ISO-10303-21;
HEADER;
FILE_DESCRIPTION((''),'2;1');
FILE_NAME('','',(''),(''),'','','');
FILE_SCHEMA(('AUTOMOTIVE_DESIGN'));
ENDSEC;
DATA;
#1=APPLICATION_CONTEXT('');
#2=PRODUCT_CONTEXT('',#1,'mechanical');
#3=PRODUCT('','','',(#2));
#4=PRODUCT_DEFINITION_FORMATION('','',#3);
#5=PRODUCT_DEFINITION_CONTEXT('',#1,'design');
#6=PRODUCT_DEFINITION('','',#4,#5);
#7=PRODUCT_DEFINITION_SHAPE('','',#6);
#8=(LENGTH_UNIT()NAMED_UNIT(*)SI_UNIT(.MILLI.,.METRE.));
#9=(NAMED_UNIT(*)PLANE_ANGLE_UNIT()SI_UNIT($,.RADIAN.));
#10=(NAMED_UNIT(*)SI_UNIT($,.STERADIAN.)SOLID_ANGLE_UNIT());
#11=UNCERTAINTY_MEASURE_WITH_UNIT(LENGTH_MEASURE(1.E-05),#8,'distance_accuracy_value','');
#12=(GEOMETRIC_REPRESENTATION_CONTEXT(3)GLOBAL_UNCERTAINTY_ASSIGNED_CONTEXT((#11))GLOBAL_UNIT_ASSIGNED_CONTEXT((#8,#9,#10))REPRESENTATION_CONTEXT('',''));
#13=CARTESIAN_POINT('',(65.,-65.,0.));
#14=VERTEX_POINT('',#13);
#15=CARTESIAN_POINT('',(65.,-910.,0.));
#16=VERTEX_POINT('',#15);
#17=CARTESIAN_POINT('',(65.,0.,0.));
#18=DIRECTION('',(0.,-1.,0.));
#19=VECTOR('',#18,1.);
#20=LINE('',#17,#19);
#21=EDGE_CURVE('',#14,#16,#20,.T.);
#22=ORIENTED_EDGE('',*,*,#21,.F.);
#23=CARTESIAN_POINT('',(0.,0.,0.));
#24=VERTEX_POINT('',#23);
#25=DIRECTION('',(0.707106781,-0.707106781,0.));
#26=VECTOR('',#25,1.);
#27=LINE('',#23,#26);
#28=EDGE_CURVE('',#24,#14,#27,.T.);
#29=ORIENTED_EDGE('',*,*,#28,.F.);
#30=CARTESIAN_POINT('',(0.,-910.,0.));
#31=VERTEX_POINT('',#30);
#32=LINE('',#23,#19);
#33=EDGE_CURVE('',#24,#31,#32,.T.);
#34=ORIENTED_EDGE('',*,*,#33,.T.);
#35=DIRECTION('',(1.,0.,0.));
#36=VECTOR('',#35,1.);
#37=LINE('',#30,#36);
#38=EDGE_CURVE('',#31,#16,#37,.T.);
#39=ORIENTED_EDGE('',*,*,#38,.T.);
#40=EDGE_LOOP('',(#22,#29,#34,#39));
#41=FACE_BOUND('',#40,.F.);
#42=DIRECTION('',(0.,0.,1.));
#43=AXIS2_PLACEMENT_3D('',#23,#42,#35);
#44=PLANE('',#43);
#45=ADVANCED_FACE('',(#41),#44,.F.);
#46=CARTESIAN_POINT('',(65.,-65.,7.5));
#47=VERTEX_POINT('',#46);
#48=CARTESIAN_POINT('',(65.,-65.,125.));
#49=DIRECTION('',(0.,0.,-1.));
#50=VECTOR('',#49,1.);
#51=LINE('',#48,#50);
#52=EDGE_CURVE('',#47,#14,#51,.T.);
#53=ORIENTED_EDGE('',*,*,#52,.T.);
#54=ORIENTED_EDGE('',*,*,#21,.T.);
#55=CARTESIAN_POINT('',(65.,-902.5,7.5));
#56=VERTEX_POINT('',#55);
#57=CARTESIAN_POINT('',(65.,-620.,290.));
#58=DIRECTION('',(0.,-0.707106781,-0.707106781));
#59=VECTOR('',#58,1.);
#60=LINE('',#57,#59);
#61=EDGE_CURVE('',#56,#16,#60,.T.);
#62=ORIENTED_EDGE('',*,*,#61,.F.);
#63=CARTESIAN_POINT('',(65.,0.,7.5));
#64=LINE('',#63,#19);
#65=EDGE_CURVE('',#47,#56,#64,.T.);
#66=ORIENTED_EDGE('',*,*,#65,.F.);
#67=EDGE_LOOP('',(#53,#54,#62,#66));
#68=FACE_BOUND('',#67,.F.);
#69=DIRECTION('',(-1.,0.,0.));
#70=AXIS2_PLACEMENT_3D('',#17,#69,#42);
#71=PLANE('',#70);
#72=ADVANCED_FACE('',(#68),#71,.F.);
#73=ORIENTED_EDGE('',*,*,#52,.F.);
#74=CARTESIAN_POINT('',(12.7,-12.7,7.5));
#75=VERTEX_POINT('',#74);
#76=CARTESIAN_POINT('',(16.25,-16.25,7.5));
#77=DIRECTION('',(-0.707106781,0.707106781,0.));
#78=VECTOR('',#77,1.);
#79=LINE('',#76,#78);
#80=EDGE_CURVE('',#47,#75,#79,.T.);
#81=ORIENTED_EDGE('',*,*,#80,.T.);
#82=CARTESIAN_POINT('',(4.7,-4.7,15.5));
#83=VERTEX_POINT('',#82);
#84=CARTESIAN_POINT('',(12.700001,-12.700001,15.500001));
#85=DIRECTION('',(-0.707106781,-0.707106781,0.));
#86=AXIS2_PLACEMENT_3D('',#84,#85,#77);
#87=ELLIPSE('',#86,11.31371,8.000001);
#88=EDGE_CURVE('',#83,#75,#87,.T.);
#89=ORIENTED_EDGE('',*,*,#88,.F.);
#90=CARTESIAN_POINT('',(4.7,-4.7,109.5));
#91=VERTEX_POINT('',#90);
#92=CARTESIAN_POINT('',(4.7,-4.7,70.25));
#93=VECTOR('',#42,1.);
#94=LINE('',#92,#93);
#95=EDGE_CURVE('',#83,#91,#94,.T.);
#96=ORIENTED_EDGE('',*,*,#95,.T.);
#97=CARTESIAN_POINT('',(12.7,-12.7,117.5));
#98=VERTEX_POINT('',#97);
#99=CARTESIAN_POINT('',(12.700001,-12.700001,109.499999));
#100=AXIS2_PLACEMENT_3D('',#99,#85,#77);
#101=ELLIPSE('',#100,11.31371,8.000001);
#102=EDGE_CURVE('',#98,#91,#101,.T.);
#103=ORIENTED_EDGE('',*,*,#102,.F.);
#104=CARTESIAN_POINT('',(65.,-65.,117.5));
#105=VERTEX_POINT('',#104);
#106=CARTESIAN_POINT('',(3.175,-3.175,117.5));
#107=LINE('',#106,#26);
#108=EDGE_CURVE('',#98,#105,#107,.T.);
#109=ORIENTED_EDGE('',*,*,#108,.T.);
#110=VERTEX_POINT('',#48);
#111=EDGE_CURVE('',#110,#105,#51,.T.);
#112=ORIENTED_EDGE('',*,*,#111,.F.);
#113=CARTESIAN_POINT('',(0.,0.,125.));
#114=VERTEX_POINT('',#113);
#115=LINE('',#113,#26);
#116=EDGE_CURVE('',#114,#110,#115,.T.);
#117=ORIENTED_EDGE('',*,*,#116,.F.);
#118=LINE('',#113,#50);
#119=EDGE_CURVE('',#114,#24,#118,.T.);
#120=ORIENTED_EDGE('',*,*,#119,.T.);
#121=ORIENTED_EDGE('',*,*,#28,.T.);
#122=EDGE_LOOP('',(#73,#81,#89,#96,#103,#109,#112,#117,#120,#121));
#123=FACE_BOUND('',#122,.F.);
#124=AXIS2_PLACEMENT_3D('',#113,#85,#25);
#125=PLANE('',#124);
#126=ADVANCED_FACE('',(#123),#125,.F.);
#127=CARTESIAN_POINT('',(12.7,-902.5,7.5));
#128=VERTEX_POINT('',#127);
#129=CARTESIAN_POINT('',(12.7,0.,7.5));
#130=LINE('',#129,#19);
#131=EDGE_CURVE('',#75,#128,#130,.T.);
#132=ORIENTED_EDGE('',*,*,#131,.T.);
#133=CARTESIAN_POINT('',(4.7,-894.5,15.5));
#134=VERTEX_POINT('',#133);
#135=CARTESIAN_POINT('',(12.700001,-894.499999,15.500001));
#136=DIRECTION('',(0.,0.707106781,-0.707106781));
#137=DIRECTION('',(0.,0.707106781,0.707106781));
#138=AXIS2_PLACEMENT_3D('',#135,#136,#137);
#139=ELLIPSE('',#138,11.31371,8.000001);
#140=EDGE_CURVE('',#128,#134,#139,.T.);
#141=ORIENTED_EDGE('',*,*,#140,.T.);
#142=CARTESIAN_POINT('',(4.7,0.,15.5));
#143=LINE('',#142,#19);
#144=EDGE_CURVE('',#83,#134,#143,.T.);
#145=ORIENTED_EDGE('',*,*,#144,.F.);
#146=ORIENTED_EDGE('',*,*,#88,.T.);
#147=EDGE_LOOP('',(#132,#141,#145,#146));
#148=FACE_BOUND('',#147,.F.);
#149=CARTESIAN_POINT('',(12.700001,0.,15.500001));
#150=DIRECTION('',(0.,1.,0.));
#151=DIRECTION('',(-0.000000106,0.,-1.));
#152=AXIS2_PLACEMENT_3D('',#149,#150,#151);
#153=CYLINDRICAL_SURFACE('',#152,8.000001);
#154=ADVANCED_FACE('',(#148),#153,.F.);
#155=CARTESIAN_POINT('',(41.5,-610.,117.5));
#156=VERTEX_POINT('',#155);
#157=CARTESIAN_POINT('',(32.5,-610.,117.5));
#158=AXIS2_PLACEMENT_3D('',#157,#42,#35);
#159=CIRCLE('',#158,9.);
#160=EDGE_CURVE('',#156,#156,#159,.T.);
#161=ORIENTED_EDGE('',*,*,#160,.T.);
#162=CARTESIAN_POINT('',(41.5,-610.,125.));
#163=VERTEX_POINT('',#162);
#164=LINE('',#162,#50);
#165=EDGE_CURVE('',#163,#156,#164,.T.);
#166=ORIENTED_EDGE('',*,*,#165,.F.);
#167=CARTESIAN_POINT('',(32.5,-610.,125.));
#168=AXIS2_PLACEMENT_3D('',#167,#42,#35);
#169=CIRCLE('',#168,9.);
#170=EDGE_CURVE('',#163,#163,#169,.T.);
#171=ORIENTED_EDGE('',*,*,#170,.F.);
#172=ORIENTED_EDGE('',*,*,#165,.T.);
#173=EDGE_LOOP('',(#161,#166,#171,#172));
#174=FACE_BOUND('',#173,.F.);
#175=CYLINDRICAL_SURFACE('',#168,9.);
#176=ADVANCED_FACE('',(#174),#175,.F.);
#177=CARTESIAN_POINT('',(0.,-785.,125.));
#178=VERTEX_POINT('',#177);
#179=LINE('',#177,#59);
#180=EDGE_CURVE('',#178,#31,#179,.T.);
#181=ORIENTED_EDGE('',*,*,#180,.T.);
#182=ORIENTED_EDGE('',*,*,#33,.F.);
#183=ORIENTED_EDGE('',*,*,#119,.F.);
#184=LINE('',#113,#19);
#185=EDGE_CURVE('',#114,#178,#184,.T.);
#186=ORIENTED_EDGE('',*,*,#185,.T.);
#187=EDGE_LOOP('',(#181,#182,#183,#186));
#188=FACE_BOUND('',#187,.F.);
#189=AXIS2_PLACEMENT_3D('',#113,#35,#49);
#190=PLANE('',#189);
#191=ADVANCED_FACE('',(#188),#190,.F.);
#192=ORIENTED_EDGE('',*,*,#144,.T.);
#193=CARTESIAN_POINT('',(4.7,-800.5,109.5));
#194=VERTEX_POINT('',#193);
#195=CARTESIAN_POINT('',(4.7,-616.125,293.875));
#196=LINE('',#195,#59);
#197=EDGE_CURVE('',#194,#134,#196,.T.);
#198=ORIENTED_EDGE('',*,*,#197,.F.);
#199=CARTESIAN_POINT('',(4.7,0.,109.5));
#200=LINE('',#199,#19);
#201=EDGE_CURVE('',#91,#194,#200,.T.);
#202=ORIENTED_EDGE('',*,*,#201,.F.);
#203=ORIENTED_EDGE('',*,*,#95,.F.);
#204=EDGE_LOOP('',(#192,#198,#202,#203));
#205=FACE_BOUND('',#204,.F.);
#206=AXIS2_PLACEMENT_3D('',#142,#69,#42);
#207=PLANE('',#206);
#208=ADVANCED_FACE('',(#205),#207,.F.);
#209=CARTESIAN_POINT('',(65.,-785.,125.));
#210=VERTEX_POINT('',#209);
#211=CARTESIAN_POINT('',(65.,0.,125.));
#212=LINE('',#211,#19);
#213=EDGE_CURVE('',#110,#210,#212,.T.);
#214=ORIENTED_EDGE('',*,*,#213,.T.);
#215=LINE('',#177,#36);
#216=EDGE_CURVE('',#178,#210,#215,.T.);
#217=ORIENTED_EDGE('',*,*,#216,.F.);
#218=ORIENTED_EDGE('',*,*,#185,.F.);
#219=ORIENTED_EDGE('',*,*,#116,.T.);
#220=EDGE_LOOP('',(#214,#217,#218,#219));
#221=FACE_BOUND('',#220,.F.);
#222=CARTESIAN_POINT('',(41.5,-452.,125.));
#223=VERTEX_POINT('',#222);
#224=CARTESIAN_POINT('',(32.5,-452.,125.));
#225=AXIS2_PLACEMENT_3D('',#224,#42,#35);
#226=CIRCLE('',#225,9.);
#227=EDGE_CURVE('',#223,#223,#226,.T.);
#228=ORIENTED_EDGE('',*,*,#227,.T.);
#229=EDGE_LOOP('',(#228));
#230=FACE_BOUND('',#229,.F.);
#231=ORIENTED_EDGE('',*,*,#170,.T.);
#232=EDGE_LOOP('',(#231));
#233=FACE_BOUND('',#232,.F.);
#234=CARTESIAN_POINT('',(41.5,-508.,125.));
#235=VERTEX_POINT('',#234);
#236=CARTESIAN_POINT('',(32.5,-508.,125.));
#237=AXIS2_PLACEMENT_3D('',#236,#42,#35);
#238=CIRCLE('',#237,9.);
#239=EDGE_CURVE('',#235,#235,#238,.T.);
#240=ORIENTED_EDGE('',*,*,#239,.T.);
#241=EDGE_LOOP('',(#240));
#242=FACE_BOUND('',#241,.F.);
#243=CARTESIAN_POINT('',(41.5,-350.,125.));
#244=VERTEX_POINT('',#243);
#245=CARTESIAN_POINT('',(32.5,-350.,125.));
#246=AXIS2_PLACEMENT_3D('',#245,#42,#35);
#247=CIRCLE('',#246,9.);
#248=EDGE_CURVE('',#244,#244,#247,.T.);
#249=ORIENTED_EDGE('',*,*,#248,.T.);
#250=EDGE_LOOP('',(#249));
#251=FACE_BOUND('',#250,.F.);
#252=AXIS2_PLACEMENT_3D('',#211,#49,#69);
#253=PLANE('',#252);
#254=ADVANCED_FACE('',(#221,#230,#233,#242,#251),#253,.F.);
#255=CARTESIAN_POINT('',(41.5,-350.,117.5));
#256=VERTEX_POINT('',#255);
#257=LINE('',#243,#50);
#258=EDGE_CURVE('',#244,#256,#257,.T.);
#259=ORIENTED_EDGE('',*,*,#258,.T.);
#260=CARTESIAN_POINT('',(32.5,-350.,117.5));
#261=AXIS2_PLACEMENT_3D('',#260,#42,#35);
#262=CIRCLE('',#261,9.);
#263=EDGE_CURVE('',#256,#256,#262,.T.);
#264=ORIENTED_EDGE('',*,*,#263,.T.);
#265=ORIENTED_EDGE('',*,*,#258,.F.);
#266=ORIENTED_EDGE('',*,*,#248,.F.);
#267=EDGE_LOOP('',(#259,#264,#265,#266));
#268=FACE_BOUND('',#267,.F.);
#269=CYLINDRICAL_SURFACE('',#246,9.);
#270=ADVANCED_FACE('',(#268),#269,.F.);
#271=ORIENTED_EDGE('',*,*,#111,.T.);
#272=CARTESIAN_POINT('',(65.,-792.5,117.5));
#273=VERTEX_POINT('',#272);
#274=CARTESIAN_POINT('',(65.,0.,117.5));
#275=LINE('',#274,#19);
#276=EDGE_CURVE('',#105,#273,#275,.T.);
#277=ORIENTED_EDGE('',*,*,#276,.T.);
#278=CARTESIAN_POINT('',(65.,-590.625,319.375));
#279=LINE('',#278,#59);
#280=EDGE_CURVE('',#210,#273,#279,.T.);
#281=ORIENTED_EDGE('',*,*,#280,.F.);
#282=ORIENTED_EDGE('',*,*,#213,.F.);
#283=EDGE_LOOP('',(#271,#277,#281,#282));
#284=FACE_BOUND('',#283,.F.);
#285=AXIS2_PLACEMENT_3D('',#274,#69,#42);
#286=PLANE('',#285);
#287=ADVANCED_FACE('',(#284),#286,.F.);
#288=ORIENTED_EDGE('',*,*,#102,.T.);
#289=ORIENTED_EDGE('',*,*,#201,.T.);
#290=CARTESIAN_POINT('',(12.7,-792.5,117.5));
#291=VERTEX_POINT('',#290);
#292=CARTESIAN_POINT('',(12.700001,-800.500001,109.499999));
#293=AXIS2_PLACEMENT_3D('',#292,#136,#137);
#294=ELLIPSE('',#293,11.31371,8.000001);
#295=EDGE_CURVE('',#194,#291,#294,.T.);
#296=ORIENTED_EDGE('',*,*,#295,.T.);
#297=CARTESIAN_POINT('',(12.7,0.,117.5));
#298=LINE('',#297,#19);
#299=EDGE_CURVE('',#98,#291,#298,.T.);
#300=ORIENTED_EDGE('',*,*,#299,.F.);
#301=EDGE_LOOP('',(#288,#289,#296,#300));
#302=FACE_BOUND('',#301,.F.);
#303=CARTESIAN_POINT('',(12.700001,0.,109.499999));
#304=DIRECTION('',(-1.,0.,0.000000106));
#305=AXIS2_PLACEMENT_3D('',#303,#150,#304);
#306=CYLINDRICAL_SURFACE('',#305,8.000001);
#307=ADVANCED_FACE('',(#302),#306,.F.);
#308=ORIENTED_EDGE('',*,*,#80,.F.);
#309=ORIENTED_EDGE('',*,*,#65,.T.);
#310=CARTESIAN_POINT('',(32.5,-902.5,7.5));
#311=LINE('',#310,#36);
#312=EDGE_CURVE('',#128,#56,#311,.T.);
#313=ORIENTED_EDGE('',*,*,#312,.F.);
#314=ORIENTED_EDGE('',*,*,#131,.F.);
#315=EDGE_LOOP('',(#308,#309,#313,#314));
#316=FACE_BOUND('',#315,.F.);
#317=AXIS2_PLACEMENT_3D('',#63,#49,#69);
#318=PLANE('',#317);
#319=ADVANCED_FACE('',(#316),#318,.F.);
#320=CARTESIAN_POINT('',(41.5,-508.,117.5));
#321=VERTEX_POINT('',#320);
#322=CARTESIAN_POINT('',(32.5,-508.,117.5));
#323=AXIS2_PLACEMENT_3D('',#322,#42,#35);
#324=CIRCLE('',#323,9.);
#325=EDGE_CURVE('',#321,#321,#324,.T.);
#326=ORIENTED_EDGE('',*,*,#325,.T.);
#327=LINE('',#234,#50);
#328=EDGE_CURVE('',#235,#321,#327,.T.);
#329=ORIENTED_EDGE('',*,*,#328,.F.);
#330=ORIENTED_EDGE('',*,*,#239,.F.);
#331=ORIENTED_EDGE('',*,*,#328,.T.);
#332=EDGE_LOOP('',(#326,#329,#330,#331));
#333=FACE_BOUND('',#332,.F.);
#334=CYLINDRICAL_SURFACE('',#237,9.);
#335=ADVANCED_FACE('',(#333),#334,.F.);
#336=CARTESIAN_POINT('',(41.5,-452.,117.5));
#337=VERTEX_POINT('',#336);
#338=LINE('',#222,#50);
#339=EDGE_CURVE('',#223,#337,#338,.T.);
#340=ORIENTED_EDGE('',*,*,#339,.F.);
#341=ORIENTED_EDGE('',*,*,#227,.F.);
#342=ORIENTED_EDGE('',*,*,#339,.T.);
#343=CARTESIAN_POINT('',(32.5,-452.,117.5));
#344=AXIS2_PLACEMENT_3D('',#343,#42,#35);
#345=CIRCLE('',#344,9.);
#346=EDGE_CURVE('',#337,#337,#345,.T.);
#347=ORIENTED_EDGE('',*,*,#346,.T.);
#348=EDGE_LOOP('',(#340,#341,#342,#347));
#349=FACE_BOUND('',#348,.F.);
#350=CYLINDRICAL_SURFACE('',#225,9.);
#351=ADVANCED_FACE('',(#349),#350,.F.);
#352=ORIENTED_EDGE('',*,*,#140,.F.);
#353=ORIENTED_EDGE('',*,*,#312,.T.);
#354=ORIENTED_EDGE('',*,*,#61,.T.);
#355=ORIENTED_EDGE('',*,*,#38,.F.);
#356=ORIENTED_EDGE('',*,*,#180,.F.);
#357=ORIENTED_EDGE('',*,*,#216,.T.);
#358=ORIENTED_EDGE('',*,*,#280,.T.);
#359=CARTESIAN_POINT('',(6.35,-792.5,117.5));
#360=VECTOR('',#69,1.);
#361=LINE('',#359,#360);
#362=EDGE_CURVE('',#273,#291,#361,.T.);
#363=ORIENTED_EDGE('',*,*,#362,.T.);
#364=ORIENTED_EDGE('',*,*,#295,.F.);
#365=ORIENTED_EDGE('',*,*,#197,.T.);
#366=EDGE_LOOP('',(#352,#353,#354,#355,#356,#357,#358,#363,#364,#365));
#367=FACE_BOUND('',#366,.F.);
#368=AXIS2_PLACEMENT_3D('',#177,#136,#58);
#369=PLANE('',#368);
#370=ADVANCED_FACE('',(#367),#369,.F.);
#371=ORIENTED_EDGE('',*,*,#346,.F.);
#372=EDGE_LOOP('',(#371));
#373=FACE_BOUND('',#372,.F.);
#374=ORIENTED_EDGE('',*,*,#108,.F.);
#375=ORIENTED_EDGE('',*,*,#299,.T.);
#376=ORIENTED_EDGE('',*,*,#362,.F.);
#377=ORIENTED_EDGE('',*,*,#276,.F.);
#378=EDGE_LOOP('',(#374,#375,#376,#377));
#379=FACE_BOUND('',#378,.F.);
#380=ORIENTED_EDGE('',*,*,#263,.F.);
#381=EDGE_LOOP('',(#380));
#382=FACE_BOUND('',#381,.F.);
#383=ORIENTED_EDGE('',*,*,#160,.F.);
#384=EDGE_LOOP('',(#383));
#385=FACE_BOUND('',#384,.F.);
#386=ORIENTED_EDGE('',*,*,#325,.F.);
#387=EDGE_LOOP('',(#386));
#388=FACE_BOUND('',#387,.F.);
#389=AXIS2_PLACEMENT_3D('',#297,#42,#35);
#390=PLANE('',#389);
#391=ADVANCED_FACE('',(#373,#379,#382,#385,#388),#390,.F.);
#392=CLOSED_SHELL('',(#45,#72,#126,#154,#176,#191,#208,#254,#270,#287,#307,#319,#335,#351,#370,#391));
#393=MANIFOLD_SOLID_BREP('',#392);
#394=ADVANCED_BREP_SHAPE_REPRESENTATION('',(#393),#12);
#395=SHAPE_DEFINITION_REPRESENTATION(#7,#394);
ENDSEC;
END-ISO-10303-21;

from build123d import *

# Parameters (mm, degrees)
F1_DEPTH = 910
F3_DEPTH = 125.001
F5_DEPTH = 65.001
F6_R     = 9
F7_DEPTH = 7.5
F8_R     = 9
F9_DEPTH = 7.5


with BuildPart() as f1:
    # F0 (on Front) → F1 (new body)
    with BuildSketch(Plane.XZ):
        with BuildLine():
            Line((0, 125), (0, 0))
            Line((0, 0), (65, 0))
            Line((65, 0), (65, 7.5))
            Line((65, 7.5), (12.7, 7.5))
            ThreePointArc((12.7, 7.5), (7.043146, 9.843146), (4.7, 15.5))
            Line((4.7, 15.5), (4.7, 109.5))
            ThreePointArc((4.7, 109.5), (7.043146, 115.156854), (12.7, 117.5))
            Line((12.7, 117.5), (65, 117.5))
            Line((65, 117.5), (65, 125))
            Line((65, 125), (0, 125))
        make_face()
    extrude(amount=F1_DEPTH)

    # F2 (on face) → F3 (cut, through all)
    with BuildSketch(Plane.XY.offset(125)):
        Polygon((65, -65), (65, 0), (0, 0), align=None)
    extrude(amount=-F3_DEPTH, mode=Mode.SUBTRACT)

    # F4 (on face) → F5 (cut, through all)
    with BuildSketch(Plane(origin=(0, 0, 0), x_dir=(0, -1, 0), z_dir=(-1, 0, 0))):
        Polygon((910, 0), (910, 125), (785, 125), align=None)
    extrude(amount=-F5_DEPTH, mode=Mode.SUBTRACT)

    # F6 (on face) → F7 (cut, through all)
    with BuildSketch(Plane.XY.offset(125)):
        with Locations((32.5, -350)):
            Circle(F6_R)
        with Locations((32.5, -452)):
            Circle(F6_R)
    extrude(amount=-F7_DEPTH, mode=Mode.SUBTRACT)

    # F8 (on face) → F9 (cut, through all)
    with BuildSketch(Plane.XY.offset(125)):
        with Locations((32.5, -508)):
            Circle(F8_R)
        with Locations((32.5, -610)):
            Circle(F8_R)
    extrude(amount=-F9_DEPTH, mode=Mode.SUBTRACT)


solid = f1.part
